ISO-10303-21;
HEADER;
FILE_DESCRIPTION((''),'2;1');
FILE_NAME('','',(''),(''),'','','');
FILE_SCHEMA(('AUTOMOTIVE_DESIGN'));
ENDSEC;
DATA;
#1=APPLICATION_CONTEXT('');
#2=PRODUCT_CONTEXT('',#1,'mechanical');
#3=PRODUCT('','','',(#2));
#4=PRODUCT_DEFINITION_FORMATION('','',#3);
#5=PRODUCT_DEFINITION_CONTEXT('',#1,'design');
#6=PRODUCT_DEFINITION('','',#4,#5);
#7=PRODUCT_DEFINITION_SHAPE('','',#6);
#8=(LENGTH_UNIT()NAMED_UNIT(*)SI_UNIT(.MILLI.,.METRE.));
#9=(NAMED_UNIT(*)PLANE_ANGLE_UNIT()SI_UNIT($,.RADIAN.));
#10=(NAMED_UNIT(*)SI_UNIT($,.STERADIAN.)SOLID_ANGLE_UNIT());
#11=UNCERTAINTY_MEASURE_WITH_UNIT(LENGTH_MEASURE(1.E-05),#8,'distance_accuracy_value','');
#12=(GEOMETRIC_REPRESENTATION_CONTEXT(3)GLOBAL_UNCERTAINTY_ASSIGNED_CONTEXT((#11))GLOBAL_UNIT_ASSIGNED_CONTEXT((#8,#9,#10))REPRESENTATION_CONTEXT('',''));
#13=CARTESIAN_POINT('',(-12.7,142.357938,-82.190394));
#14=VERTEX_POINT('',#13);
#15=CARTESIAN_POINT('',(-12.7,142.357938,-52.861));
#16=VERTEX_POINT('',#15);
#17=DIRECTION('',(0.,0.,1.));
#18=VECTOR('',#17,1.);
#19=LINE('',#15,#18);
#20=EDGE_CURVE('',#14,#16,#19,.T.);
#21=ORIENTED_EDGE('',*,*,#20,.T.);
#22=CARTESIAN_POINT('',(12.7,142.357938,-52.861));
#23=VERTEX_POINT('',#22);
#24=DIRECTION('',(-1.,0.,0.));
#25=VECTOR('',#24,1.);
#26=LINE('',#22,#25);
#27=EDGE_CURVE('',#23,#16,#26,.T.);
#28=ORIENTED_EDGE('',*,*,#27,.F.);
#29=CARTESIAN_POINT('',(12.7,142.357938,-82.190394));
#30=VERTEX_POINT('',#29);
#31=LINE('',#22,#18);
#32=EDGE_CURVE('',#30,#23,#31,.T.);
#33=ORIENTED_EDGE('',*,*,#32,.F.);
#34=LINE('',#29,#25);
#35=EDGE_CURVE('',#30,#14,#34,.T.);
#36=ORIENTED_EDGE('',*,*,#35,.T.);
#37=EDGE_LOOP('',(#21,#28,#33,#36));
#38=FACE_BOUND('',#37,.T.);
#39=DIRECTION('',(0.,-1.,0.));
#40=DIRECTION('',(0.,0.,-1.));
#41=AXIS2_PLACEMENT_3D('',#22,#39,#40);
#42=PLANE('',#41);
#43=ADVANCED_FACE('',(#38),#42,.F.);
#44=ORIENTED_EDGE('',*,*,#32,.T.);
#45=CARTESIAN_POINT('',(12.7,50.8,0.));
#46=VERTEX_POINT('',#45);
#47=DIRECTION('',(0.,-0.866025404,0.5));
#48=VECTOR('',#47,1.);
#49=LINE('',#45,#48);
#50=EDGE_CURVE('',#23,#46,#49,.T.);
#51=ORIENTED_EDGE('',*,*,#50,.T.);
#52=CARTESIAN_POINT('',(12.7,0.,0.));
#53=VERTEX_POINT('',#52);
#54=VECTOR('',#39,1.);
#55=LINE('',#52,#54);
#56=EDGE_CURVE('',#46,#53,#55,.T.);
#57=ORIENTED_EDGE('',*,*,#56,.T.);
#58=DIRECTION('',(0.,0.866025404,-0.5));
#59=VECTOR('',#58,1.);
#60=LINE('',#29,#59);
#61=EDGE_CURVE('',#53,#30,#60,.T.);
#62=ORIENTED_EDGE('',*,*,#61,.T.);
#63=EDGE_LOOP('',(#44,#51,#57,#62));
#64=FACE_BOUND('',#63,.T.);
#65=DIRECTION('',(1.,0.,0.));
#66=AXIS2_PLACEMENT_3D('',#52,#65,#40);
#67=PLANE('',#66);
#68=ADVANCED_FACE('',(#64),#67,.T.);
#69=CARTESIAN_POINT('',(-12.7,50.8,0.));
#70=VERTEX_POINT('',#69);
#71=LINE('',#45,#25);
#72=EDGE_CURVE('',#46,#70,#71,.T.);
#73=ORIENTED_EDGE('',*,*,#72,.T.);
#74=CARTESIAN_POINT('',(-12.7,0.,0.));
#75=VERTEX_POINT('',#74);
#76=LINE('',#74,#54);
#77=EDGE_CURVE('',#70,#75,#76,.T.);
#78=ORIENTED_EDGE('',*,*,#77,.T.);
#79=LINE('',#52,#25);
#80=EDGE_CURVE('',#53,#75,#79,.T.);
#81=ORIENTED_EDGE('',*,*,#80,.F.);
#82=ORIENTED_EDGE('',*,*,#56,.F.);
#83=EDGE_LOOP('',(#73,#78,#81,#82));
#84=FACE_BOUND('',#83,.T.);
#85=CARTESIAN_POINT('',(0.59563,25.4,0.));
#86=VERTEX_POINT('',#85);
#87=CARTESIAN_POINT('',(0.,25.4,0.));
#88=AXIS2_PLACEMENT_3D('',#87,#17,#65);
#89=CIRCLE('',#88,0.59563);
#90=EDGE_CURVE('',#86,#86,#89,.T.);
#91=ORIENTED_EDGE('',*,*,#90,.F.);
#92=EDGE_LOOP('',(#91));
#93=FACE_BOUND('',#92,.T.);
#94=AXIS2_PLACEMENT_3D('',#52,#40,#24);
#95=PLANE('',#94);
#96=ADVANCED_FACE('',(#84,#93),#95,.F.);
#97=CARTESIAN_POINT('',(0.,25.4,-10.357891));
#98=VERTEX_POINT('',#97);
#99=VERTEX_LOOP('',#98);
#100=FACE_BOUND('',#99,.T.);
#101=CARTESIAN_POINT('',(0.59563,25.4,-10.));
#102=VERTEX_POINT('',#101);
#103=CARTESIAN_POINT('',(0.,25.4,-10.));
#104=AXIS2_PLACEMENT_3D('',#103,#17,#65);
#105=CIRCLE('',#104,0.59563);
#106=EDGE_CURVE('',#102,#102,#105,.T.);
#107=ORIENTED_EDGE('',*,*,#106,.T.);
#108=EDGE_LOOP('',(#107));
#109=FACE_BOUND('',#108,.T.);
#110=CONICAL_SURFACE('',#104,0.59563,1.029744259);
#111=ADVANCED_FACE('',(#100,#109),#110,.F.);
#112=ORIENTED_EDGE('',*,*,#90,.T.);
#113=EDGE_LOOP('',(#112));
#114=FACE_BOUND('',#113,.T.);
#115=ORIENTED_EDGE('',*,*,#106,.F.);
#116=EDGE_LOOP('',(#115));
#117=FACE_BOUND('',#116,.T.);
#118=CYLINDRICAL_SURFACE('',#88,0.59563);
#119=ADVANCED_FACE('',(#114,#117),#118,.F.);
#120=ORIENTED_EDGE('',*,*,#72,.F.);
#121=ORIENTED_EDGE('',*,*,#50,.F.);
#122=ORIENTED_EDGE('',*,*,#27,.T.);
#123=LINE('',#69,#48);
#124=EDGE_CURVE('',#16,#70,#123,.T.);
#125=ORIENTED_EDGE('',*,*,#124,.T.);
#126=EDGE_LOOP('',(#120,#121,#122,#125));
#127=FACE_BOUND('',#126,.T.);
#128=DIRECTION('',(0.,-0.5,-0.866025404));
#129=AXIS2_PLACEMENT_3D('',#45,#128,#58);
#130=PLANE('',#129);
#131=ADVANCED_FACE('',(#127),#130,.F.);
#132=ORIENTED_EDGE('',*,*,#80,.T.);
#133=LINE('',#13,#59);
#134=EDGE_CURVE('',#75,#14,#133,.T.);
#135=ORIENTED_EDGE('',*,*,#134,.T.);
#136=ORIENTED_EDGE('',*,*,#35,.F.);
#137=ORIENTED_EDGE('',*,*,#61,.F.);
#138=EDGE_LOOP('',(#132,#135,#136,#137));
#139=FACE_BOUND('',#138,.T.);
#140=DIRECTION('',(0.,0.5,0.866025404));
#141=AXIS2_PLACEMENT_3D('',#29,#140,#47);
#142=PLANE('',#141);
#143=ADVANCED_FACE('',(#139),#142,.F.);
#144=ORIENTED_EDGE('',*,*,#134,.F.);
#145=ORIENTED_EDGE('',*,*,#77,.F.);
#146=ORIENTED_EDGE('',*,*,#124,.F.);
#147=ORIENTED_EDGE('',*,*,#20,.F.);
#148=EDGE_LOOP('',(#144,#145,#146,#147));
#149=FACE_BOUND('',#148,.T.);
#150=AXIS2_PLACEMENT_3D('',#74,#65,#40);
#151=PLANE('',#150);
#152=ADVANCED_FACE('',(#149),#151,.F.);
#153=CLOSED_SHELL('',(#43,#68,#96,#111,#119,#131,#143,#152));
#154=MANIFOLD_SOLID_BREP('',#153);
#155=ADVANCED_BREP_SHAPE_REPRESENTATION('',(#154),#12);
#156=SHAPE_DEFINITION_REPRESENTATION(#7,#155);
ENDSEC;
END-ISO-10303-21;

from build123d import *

# Parameters (mm, degrees)
BOSS_EXTRUDE1_DEPTH       = 12.7
F_0_80_TAPPED_HOLE1_D     = 1.19126
F_0_80_TAPPED_HOLE1_DEPTH = 10
F_0_80_TAPPED_HOLE1_TIP   = 0.357890611


with BuildPart() as part:
    # Sketch1 → Boss-Extrude1 (new body, symmetric)
    with BuildSketch(Plane(origin=(0, 0, 0), x_dir=(0, 0, -1), z_dir=(1, 0, 0))):
        Polygon((0, 0), (0, 50.8), (52.861, 142.357937739), (82.190393675, 142.357937739), align=None)
    extrude(amount=BOSS_EXTRUDE1_DEPTH, both=True)

    # #0-80 Tapped Hole1
    with Locations(Plane.XY):
        with Locations((0, 25.4)):
            Hole(F_0_80_TAPPED_HOLE1_D / 2, depth=F_0_80_TAPPED_HOLE1_DEPTH)
            with Locations((0, 0, -(F_0_80_TAPPED_HOLE1_DEPTH + F_0_80_TAPPED_HOLE1_TIP / 2))):  # 118° drill point
                Cone(0, F_0_80_TAPPED_HOLE1_D / 2, F_0_80_TAPPED_HOLE1_TIP, mode=Mode.SUBTRACT)


solid = part.part
